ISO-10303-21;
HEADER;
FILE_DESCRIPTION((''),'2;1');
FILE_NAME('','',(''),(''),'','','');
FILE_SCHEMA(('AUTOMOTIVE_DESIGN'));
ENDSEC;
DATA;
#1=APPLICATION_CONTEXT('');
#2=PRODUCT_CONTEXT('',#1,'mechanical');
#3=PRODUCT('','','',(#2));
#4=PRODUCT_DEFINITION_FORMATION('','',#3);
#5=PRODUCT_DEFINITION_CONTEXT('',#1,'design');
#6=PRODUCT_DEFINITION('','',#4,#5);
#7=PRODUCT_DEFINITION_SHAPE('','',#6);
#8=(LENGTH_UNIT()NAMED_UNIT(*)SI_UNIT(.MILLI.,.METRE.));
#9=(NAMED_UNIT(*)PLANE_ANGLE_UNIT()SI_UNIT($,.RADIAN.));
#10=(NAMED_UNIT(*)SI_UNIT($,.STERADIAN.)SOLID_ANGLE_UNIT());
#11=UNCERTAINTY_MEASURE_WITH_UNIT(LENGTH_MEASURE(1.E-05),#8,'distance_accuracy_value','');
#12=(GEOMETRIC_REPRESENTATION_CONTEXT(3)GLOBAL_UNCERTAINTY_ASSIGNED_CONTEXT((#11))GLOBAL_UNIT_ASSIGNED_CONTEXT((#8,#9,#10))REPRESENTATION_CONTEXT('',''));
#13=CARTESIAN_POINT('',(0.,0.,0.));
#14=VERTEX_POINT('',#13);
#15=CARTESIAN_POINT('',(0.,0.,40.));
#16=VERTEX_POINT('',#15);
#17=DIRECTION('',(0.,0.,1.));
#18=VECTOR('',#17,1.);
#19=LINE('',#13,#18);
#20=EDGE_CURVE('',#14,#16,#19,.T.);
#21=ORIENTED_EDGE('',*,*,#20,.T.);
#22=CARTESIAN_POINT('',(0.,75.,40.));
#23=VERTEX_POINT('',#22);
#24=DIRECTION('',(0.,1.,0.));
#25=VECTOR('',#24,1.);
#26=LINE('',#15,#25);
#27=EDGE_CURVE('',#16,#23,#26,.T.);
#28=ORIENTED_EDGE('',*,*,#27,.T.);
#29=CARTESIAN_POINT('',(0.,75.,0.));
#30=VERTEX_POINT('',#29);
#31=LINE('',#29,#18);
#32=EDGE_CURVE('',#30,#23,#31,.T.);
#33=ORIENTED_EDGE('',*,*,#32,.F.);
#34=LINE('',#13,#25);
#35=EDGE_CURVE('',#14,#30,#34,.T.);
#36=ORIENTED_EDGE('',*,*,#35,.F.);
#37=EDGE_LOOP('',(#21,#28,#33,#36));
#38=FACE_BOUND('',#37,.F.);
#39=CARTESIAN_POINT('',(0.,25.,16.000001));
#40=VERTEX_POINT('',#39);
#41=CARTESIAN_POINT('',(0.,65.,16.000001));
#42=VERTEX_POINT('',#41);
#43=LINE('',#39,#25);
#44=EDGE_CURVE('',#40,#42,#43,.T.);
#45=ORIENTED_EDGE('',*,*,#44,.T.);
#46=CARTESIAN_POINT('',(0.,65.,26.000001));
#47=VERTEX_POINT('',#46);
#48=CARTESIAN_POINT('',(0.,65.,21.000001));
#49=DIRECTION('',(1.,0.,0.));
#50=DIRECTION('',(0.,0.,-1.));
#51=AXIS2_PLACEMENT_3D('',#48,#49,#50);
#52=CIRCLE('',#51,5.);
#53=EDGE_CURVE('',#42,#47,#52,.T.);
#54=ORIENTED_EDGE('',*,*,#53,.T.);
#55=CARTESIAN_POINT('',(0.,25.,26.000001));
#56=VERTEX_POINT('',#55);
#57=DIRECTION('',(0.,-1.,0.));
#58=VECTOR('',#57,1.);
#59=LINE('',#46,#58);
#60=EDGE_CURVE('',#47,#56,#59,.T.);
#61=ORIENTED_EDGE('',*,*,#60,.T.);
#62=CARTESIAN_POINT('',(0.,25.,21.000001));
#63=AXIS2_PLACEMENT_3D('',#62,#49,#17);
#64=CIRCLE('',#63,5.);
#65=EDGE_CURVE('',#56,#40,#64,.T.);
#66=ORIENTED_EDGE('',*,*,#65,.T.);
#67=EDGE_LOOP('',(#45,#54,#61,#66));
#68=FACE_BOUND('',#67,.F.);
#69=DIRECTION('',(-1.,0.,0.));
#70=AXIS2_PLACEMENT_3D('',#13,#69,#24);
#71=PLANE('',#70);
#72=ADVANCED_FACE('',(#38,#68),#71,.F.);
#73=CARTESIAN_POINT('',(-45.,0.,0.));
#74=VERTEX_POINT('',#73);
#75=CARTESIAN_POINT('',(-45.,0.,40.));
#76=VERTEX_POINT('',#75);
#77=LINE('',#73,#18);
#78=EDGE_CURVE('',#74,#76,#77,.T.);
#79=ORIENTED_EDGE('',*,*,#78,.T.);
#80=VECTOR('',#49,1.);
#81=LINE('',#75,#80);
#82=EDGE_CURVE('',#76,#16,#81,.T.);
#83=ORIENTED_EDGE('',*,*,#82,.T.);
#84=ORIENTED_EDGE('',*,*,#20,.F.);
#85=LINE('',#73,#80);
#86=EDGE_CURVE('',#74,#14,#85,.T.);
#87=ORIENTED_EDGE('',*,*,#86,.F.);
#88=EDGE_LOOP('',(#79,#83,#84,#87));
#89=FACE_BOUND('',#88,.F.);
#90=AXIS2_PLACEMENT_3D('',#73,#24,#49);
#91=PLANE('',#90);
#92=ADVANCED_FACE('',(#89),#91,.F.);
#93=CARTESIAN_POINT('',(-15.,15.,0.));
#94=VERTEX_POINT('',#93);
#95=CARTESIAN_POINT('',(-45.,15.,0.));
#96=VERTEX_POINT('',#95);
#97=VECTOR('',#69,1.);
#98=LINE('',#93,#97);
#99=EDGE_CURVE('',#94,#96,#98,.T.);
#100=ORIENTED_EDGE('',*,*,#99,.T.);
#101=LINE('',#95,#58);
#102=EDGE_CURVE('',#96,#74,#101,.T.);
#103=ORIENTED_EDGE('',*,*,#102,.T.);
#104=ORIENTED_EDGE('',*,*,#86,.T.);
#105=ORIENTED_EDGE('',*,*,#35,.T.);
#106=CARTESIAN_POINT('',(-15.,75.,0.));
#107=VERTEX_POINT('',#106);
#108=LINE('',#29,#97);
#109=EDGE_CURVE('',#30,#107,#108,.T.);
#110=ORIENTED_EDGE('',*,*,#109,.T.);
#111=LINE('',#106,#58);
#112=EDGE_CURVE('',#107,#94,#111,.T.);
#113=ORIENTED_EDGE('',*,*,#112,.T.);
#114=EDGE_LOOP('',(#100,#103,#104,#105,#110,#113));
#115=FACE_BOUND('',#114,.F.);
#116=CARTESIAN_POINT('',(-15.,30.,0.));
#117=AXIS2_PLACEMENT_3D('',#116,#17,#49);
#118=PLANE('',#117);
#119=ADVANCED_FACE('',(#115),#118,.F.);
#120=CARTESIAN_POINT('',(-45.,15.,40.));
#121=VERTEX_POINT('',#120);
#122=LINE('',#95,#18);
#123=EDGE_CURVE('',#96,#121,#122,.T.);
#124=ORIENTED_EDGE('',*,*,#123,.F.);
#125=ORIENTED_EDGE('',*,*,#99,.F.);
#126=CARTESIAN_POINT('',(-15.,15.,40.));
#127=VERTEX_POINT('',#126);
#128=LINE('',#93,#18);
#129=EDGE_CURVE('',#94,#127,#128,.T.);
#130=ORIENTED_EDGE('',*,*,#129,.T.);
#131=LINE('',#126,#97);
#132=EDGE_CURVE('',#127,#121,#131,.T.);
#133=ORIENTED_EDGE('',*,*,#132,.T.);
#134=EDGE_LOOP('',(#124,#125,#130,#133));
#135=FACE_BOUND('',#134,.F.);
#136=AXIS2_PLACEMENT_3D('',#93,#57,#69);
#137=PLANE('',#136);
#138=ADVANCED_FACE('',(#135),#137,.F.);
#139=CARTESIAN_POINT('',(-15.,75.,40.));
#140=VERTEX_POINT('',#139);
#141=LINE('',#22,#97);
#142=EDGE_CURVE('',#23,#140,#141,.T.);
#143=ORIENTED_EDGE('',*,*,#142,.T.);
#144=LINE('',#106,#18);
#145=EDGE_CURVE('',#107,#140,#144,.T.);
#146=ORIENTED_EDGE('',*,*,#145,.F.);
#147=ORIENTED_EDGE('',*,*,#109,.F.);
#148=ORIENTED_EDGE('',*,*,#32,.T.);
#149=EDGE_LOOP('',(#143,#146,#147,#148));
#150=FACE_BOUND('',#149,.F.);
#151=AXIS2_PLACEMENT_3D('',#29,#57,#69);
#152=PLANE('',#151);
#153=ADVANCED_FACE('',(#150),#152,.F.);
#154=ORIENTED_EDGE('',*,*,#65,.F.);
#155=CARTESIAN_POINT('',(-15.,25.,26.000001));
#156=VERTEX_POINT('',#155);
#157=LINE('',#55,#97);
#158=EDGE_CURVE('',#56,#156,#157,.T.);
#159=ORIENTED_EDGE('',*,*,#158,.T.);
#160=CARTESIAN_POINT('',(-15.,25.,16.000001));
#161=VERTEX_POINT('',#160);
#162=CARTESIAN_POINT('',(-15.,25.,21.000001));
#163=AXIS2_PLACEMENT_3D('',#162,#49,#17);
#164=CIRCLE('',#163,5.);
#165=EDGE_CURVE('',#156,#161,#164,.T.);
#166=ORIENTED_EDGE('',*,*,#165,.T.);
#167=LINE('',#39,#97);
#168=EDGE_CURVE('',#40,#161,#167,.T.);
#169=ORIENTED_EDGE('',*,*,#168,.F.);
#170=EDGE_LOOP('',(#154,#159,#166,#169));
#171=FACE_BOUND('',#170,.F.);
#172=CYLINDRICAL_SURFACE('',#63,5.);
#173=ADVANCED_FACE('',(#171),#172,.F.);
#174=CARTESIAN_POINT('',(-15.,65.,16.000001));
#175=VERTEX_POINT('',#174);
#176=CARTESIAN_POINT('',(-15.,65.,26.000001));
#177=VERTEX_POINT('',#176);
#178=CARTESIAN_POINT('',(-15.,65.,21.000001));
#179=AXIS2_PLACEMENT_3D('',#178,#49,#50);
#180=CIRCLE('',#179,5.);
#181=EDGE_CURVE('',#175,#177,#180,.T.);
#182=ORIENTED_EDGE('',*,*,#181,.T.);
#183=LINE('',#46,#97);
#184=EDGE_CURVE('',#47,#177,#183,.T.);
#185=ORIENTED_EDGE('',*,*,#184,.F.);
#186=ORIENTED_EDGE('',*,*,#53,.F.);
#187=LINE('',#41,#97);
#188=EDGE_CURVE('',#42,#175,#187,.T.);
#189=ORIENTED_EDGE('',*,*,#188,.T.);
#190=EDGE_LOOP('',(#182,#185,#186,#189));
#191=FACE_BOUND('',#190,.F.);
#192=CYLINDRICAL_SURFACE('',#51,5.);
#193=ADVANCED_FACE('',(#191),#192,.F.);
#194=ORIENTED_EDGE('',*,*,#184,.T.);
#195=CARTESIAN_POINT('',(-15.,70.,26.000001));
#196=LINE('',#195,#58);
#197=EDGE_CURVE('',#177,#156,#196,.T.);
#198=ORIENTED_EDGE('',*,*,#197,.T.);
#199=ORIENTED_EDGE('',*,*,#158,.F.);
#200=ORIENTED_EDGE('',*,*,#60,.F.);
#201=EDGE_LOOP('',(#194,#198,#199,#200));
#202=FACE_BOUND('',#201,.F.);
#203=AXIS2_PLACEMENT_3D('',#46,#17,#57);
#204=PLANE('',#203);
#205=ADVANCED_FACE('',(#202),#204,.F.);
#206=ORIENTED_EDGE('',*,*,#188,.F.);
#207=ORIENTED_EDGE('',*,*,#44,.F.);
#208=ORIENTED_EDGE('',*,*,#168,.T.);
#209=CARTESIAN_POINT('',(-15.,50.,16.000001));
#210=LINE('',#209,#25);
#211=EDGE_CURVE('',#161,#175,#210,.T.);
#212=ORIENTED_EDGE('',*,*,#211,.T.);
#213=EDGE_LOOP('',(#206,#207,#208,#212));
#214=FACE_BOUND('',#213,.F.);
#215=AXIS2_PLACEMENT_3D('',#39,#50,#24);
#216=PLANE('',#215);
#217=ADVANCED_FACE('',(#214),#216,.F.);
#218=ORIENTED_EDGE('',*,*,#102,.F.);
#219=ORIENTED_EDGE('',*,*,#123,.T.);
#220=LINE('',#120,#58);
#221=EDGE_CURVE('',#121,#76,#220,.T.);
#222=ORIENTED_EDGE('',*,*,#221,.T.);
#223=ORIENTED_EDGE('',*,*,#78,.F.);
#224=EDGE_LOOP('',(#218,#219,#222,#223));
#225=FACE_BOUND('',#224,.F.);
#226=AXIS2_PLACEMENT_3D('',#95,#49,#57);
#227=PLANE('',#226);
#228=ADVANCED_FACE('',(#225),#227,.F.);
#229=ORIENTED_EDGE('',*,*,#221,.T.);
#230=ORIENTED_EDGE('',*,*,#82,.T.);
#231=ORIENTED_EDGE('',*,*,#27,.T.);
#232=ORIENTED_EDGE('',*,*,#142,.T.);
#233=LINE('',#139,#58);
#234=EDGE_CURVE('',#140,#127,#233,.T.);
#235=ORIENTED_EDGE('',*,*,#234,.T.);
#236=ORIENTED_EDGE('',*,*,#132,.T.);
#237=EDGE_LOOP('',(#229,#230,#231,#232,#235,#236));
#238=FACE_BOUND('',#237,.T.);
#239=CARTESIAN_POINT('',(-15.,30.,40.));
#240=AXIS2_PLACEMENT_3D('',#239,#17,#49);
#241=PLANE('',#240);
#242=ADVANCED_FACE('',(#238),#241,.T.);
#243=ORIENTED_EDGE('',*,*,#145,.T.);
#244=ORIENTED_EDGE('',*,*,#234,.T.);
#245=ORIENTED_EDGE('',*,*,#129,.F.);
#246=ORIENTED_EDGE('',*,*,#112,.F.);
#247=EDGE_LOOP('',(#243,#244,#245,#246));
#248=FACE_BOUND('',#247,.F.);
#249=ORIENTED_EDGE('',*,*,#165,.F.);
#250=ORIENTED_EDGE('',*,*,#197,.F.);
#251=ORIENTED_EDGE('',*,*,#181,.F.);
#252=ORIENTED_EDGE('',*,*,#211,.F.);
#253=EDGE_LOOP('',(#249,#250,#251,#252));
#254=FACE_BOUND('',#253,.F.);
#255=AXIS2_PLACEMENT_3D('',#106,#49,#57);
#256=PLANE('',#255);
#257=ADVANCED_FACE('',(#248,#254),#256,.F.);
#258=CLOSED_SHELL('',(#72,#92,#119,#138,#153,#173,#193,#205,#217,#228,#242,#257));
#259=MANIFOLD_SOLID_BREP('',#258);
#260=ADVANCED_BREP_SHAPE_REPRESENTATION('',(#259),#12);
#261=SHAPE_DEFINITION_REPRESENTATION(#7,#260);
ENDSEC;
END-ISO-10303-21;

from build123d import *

# Parameters (mm, degrees)
F1_DEPTH = 40
F3_DEPTH = 45.001


with BuildPart() as f1:
    # F0 (on Top) → F1 (new body)
    with BuildSketch(Plane.XY):
        Polygon((-45, 0), (0, 0), (0, 75), (-15, 75), (-15, 15), (-45, 15), align=None)
    extrude(amount=F1_DEPTH)

    # F2 (on face) → F3 (cut, through all)
    with BuildSketch(Plane.YZ):
        with BuildLine():
            Line((65, 26.000001), (25, 26.000001))
            ThreePointArc((25, 26.000001), (20, 21.000001), (25, 16.000001))
            Line((25, 16.000001), (65, 16.000001))
            ThreePointArc((65, 16.000001), (70, 21.000001), (65, 26.000001))
        make_face()
    extrude(amount=-F3_DEPTH, mode=Mode.SUBTRACT)


solid = f1.part
